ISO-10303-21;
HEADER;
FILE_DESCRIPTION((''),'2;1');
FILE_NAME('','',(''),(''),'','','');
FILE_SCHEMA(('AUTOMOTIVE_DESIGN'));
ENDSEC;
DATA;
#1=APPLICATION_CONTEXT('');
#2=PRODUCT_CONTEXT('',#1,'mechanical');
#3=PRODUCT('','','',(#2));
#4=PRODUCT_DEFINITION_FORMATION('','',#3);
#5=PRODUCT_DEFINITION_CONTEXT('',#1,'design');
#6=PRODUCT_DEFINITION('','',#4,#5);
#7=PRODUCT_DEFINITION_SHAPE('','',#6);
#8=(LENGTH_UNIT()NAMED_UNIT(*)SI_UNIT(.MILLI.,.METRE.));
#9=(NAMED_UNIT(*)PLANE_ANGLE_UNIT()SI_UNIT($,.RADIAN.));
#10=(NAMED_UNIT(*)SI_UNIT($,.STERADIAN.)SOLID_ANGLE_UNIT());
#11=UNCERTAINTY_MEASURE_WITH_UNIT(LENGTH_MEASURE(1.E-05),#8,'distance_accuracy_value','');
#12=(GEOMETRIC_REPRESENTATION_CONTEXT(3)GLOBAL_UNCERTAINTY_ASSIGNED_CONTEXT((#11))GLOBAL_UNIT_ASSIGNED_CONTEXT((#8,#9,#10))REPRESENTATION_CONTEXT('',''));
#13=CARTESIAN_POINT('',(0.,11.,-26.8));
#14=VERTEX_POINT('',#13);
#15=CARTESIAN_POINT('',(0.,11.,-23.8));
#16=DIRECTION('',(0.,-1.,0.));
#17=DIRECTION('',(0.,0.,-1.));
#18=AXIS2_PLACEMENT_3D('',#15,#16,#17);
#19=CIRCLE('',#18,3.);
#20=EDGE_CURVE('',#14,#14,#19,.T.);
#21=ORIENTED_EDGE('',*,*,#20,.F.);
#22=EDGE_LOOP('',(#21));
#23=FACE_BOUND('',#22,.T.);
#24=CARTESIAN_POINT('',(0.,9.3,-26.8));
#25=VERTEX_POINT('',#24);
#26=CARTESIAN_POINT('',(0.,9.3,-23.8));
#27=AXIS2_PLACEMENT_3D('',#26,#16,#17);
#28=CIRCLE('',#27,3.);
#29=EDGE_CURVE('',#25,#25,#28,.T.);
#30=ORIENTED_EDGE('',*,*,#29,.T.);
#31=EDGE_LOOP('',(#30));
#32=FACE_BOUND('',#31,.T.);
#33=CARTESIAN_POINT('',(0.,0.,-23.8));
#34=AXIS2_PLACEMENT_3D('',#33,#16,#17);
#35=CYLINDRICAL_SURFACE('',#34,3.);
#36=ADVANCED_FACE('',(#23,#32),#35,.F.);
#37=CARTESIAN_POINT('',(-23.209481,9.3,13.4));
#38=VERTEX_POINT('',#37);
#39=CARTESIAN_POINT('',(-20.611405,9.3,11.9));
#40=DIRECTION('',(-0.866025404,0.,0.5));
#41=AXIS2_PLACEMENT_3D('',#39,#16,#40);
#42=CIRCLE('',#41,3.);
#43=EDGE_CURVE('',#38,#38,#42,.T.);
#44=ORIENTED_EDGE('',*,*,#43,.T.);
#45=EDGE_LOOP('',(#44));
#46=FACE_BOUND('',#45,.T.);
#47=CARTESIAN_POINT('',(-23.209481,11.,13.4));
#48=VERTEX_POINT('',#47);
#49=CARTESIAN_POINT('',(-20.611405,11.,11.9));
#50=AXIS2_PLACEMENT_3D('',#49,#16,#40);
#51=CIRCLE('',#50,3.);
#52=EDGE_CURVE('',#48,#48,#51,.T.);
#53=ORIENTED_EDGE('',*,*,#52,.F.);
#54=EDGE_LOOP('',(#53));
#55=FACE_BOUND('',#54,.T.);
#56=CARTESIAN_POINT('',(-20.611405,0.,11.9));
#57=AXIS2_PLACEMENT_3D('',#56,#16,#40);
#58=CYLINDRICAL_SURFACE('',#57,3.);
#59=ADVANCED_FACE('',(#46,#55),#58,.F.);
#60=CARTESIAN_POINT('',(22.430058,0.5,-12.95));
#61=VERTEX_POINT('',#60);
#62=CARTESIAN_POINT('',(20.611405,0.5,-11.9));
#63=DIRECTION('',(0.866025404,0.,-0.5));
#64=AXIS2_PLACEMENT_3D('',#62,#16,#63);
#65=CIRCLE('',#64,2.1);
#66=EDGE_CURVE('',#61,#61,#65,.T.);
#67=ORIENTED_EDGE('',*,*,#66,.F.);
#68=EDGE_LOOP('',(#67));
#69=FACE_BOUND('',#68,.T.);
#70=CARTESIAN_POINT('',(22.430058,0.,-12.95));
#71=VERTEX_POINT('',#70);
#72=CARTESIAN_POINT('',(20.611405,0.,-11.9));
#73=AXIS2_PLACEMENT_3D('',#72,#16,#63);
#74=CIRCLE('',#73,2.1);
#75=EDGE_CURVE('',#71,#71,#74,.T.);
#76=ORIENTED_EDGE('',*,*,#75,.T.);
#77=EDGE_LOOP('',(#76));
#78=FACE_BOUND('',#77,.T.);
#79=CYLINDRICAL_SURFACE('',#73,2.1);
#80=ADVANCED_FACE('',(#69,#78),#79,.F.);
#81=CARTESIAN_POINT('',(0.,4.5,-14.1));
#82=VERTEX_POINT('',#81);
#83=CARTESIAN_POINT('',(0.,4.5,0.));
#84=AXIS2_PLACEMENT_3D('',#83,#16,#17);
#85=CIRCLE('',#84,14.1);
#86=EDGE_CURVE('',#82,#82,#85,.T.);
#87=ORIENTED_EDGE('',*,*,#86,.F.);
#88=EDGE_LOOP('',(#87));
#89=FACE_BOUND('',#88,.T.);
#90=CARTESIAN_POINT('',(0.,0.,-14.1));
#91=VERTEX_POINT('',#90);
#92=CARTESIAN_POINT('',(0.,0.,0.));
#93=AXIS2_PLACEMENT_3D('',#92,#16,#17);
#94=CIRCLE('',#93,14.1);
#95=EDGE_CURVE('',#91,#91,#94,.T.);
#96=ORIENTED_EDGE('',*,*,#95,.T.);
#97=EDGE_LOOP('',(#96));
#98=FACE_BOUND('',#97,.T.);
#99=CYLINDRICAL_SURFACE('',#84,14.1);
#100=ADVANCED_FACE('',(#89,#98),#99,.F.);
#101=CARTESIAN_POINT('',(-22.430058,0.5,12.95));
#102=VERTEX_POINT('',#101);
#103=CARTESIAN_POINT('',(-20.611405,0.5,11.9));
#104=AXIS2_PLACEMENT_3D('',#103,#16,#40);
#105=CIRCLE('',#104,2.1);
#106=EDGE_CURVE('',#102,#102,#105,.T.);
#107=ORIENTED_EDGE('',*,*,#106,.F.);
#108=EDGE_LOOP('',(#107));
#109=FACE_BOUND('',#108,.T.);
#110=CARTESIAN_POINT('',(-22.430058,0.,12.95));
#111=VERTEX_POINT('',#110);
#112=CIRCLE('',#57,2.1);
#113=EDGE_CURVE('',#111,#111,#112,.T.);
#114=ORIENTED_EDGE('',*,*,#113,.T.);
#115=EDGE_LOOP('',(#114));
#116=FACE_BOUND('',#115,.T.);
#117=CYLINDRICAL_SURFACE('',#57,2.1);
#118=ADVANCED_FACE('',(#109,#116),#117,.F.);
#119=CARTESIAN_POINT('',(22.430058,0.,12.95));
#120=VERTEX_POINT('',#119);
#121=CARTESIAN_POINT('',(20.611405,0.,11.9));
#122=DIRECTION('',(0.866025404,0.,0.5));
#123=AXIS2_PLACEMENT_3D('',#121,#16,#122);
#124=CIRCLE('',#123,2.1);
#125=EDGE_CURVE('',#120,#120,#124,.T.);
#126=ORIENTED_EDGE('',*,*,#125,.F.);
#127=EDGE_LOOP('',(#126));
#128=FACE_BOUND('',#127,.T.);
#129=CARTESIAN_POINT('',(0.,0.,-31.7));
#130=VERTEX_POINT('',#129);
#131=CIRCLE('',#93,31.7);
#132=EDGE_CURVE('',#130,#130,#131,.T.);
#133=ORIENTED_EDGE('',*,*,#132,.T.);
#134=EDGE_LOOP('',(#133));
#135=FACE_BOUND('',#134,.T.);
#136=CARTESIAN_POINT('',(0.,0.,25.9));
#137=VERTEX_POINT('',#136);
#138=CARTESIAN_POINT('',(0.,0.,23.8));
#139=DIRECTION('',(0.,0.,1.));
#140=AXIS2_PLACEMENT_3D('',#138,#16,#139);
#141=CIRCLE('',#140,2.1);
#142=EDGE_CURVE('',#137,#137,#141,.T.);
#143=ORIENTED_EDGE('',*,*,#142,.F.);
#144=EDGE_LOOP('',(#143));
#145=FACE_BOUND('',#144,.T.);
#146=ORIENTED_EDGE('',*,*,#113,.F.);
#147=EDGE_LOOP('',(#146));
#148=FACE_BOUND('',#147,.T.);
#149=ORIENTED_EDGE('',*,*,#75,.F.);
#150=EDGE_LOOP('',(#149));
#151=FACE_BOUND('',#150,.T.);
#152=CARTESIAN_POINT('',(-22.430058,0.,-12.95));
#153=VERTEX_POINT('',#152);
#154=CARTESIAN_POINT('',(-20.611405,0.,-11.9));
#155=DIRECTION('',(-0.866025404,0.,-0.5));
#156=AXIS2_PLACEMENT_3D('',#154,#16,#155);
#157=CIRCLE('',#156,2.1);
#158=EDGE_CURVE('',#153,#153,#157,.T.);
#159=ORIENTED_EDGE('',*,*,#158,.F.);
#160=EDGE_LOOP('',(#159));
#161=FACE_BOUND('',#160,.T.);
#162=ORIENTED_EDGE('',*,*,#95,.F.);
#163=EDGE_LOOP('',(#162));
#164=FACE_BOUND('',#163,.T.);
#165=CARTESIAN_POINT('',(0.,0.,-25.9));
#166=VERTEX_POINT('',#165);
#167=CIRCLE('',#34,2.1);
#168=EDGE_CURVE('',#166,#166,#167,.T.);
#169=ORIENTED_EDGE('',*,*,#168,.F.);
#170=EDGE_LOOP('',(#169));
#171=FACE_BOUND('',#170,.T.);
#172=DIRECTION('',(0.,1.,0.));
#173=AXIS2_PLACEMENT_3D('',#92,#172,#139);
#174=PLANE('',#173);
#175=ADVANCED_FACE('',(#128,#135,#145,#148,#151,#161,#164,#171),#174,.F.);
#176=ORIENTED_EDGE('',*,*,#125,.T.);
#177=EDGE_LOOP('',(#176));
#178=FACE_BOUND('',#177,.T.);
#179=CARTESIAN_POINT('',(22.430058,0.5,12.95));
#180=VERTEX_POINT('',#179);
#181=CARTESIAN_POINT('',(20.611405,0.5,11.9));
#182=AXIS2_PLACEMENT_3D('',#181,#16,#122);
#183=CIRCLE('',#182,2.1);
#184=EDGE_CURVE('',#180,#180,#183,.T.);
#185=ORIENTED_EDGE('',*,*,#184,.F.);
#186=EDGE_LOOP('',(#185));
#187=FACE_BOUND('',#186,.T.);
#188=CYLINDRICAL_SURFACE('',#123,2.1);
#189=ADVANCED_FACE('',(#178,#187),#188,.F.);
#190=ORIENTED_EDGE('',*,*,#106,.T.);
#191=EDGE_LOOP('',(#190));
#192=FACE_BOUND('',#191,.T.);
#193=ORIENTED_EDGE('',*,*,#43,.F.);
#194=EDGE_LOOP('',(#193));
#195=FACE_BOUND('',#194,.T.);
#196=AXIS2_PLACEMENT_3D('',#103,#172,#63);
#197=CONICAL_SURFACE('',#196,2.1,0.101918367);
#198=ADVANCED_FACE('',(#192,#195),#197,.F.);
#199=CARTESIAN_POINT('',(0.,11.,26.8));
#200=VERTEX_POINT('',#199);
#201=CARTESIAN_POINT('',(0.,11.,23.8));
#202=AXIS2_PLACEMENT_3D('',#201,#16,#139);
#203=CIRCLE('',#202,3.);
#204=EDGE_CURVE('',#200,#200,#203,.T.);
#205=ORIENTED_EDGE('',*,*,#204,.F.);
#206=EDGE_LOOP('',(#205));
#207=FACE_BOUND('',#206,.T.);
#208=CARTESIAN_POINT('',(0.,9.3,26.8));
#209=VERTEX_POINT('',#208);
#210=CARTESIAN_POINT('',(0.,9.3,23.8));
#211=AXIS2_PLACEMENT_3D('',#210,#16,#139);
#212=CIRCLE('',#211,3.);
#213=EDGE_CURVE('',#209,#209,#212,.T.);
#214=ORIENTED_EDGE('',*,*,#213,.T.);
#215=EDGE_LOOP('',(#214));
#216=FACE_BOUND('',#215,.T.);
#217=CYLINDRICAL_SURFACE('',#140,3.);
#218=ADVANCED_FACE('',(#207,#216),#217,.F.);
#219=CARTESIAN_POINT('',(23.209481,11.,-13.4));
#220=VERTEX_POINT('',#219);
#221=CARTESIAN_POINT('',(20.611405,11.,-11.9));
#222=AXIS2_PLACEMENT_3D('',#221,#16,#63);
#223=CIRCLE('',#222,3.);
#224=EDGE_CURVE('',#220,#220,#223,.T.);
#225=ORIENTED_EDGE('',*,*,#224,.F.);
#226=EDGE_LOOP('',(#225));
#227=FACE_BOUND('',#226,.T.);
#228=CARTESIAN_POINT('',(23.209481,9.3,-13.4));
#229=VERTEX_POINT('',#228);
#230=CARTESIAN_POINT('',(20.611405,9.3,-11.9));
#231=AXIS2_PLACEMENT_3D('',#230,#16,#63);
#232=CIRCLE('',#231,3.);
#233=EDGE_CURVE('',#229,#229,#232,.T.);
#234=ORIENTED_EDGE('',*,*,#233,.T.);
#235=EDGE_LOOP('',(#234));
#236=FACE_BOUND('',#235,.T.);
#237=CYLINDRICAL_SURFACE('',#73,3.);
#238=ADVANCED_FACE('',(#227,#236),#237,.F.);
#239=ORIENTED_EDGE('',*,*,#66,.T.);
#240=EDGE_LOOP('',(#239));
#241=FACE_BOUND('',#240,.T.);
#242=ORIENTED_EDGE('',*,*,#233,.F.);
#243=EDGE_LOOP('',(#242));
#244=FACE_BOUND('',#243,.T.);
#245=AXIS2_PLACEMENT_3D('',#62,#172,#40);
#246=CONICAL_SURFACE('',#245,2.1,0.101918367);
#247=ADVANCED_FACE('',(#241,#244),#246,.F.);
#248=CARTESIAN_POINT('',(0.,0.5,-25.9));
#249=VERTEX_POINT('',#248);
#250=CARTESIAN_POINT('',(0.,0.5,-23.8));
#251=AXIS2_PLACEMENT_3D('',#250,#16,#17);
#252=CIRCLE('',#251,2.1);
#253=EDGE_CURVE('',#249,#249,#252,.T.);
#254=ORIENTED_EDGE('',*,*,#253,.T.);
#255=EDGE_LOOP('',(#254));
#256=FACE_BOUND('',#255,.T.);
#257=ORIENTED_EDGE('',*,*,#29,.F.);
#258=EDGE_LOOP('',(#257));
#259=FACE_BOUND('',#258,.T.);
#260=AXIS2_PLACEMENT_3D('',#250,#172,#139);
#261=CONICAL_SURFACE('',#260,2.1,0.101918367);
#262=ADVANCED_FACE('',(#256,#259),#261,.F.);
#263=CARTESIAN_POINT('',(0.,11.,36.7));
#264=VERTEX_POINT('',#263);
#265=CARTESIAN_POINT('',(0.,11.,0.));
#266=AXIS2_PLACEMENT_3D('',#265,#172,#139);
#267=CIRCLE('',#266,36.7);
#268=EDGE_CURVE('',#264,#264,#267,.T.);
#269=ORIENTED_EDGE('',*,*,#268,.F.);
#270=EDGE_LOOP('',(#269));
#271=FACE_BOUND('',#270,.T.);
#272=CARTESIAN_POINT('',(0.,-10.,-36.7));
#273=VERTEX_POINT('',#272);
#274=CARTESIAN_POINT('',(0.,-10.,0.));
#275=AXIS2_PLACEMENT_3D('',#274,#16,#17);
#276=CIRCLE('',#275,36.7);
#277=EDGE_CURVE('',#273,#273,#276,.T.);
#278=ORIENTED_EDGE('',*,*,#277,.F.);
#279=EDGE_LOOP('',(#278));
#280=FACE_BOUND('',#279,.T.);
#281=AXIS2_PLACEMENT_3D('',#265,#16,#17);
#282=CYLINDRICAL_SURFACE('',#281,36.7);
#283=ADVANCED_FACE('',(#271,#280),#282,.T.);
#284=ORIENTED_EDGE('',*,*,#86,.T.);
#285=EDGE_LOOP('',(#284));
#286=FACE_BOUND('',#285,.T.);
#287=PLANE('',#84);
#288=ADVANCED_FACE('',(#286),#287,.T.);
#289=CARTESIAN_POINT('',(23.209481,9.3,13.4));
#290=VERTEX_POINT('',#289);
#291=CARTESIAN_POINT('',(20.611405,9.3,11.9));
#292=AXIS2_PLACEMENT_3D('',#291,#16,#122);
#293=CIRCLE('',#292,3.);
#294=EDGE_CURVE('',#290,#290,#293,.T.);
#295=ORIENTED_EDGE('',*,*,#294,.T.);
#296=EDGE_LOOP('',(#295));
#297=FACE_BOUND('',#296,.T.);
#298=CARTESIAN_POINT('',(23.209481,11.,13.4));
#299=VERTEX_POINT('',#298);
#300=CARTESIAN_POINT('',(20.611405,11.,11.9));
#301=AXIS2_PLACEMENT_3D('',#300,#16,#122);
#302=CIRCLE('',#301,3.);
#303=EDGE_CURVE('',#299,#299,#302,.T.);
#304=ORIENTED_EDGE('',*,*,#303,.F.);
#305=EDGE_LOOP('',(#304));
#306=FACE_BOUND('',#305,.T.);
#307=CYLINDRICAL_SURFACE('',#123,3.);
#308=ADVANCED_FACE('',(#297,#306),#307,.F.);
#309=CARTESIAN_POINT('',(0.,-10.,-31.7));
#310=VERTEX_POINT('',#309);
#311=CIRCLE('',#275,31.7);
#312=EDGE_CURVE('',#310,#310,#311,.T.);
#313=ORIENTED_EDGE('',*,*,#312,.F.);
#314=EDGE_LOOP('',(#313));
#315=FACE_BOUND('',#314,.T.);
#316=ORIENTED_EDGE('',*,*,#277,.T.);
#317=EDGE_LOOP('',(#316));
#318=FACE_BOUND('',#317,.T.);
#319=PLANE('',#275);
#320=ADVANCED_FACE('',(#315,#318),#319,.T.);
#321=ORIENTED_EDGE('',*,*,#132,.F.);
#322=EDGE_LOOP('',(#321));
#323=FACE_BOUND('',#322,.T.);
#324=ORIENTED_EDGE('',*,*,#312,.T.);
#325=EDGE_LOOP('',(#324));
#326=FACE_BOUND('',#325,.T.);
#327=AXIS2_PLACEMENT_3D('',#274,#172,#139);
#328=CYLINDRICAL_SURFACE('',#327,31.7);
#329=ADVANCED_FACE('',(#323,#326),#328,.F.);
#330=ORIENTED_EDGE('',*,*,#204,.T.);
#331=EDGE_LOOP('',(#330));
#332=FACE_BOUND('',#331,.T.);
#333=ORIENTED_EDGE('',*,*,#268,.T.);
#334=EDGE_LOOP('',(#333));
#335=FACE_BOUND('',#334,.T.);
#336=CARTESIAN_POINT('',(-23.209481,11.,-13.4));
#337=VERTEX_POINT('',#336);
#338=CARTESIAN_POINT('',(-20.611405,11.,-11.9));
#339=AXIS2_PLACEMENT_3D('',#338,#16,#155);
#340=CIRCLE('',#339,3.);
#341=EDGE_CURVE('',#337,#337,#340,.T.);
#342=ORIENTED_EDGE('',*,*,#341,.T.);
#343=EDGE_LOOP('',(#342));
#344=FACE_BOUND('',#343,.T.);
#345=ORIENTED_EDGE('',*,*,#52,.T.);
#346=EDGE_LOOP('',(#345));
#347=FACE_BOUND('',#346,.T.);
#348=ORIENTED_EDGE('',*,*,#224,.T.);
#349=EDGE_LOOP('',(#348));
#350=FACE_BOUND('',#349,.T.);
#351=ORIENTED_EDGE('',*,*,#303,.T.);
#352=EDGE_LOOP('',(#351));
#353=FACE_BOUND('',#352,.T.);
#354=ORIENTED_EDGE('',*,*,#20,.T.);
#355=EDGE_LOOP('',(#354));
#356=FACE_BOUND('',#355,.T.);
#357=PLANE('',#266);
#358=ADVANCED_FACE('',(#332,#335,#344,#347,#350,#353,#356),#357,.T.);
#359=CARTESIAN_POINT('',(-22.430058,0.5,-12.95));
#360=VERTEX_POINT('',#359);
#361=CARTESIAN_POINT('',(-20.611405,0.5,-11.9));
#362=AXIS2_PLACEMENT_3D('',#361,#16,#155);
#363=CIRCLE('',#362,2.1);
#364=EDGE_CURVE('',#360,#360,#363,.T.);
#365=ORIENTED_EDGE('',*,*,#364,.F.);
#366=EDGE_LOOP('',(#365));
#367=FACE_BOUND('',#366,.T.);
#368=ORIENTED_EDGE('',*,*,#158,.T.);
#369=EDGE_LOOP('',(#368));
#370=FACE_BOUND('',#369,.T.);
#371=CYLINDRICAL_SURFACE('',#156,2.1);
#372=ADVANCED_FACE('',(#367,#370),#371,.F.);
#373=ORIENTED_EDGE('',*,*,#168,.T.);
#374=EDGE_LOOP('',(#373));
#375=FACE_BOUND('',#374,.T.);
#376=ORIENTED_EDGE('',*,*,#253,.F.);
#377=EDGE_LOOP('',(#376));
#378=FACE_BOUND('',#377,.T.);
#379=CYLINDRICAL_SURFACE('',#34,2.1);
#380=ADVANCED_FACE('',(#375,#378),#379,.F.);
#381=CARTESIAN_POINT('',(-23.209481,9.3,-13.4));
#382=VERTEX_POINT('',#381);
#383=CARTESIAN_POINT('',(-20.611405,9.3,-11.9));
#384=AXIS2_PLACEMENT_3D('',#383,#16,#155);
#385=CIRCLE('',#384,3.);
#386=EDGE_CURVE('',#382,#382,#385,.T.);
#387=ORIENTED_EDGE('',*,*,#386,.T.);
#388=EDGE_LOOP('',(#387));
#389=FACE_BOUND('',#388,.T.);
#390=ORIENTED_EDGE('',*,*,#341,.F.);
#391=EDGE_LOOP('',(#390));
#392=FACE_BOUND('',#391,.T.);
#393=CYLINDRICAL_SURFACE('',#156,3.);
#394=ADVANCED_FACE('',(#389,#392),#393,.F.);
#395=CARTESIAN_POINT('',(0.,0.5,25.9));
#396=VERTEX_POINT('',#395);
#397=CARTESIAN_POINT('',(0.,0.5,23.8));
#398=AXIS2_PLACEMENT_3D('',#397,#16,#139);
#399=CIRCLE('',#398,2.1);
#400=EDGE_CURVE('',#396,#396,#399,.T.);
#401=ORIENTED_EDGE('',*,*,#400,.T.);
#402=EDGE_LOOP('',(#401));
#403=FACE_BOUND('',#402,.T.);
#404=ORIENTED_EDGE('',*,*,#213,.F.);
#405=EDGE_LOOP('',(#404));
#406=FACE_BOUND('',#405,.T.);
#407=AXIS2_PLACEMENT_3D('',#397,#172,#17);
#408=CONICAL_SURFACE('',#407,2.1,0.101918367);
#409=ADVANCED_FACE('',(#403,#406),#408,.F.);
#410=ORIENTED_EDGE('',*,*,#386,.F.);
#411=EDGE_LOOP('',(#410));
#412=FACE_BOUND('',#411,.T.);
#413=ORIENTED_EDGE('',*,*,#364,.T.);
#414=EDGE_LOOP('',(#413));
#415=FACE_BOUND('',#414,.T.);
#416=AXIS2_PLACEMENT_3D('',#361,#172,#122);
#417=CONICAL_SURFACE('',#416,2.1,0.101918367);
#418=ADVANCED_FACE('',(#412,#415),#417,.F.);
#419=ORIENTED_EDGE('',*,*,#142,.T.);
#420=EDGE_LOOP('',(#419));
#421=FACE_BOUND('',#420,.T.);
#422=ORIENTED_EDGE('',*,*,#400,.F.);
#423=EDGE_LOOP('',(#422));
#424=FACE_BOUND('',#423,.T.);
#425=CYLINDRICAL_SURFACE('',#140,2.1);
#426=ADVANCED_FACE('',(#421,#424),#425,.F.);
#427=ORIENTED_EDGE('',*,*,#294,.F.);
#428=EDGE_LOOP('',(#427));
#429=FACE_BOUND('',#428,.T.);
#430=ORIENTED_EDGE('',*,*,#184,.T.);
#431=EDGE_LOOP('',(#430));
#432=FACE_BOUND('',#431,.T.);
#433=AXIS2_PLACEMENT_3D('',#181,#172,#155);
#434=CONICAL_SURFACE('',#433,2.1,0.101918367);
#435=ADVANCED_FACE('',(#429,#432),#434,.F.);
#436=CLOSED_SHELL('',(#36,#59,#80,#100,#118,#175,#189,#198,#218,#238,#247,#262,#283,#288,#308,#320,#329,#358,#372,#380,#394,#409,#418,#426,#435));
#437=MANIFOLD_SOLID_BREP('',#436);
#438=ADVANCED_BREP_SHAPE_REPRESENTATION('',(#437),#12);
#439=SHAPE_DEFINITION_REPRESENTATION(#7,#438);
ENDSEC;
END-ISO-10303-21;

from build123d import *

# Parameters (mm, degrees)
SKETCH2_R           = 36.7
BOSS_EXTRUDE1_DEPTH = 11
SKETCH5_R           = 14.1
CUT_EXTRUDE1_DEPTH  = 4.5
BOSS_EXTRUDE2_START = 10
SKETCH7_R           = 36.7
SKETCH7_R_2         = 31.7
BOSS_EXTRUDE2_DEPTH = 10
CIRPATTERN1_COUNT   = 6


with BuildPart() as part:
    # Sketch2 → Boss-Extrude1 (new body)
    with BuildSketch(Plane(origin=(0, 0, 0), x_dir=(1, 0, 0), z_dir=(0, 1, 0))):
        with Locations(Location((0, 0, 0), (0, 0, 270))):
            Circle(SKETCH2_R)
    extrude(amount=BOSS_EXTRUDE1_DEPTH)

    # Sketch3 → Cut-Revolve1 (revolve, cut)
    with BuildSketch(Plane(origin=(0, 0, 0), x_dir=(0, 0, -1), z_dir=(1, 0, 0))):
        Polygon((26.8, 11), (26.8, 9.3), (25.9, 0.5), (25.9, 0), (23.8, 0), (23.8, 11), align=None)
    cut_revolve1 = revolve(axis=Axis((0, 0, -23.8), (0, 1, 0)), mode=Mode.SUBTRACT)

    # Sketch5 → Cut-Extrude1 (cut)
    with BuildSketch(Plane.XZ):
        with Locations(Location((0, 0, 0), (0, 0, 270))):
            Circle(SKETCH5_R)
    extrude(amount=-CUT_EXTRUDE1_DEPTH, mode=Mode.SUBTRACT)

    # Sketch7 → Boss-Extrude2 (add)
    with BuildSketch(Plane.XZ.offset(BOSS_EXTRUDE2_START)):
        with Locations(Location((0, 0, 0), (0, 0, 270))):
            Circle(SKETCH7_R)
        with Locations(Location((0, 0, 0), (0, 0, 270))):
            Circle(SKETCH7_R_2, mode=Mode.SUBTRACT)
    extrude(amount=-BOSS_EXTRUDE2_DEPTH)

    # CirPattern1: Cut-Revolve1 ×6 about axis
    cirpattern1_axis = Axis((0, 0, 0), (0, 1, 0))
    for i in range(1, CIRPATTERN1_COUNT):
        add(cut_revolve1.rotate(cirpattern1_axis, i * 360 / CIRPATTERN1_COUNT), mode=Mode.SUBTRACT)


solid = part.part
